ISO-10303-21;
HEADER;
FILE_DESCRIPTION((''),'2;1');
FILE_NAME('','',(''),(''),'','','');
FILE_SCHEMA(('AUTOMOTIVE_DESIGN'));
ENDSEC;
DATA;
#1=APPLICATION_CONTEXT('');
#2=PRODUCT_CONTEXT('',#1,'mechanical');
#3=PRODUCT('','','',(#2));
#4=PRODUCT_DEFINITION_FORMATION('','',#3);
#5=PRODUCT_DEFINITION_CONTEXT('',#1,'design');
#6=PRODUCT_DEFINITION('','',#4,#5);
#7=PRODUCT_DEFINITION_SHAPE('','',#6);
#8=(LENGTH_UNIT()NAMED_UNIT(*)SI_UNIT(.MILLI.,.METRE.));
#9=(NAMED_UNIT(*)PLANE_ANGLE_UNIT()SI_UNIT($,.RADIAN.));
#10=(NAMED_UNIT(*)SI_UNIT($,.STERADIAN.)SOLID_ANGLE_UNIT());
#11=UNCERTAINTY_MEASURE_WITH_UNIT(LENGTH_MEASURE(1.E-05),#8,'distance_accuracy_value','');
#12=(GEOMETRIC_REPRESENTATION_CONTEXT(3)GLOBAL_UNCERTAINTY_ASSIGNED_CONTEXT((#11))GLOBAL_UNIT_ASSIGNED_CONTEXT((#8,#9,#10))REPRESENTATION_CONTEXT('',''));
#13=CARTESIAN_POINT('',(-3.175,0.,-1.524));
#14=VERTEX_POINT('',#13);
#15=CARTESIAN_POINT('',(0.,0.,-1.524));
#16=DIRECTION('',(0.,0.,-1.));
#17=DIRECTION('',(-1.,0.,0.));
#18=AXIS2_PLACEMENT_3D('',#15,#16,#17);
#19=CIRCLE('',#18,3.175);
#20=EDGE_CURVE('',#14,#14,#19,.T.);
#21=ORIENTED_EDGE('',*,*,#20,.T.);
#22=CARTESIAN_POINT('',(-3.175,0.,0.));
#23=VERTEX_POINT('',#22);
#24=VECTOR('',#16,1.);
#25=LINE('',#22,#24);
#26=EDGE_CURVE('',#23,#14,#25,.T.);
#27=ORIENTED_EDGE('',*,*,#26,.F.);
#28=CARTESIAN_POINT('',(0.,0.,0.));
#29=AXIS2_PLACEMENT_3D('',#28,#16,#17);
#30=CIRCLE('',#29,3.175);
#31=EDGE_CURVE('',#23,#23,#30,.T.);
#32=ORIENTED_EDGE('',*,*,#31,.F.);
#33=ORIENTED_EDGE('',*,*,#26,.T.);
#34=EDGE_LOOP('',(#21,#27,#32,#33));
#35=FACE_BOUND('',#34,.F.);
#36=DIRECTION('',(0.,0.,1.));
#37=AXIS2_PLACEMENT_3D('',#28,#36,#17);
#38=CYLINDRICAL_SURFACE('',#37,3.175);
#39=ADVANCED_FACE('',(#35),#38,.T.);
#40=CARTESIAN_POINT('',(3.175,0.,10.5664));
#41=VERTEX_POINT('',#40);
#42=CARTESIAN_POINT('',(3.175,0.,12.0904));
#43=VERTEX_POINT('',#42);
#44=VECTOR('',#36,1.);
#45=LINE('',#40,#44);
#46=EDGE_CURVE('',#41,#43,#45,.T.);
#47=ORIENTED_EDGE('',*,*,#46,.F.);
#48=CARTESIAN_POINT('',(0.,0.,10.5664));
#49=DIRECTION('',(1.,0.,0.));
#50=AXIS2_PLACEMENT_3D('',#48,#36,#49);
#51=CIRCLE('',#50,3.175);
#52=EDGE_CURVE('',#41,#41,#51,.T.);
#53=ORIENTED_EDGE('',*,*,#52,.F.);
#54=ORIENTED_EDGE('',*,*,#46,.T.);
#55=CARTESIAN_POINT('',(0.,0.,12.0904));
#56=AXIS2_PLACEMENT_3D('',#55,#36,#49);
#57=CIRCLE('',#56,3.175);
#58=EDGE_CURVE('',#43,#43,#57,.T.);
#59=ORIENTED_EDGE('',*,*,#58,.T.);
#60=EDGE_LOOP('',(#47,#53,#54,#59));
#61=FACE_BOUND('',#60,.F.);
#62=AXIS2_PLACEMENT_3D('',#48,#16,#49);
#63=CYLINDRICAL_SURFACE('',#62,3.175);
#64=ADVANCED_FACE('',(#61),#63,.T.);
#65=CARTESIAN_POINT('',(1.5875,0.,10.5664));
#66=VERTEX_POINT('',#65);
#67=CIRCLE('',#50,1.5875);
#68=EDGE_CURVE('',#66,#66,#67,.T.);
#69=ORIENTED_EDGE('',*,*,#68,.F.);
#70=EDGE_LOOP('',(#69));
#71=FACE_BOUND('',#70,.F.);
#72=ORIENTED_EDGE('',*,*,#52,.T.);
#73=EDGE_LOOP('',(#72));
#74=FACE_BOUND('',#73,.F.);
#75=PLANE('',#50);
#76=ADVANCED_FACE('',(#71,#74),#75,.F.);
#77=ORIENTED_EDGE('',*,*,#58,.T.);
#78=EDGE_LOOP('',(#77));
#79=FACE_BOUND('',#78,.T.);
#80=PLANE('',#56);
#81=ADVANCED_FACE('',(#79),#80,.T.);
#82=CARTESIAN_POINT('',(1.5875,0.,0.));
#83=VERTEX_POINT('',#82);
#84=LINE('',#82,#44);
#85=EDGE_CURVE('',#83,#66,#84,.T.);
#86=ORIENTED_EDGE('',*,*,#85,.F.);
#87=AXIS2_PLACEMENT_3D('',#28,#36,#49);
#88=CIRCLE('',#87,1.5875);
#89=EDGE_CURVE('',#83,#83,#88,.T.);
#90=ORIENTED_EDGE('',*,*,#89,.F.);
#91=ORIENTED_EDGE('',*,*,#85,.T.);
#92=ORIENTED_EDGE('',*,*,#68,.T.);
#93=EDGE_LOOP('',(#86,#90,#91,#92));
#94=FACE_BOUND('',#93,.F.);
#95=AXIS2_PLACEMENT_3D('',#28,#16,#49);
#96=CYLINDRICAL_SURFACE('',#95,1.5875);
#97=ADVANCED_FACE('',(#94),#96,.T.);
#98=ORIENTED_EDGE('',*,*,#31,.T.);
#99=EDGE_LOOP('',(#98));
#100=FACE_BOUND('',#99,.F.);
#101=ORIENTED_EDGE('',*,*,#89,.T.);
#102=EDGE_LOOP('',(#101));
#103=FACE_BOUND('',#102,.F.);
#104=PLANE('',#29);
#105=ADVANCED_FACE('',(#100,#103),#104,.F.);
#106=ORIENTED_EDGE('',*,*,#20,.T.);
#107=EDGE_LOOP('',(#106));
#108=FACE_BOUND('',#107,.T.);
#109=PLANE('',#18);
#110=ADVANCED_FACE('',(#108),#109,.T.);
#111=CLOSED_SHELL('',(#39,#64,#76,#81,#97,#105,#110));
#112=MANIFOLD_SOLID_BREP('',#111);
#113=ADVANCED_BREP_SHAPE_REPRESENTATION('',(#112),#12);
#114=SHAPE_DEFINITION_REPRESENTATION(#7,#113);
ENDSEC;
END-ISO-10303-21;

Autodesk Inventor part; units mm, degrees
ref_plane "YZ Plane" through (0, 0, 0) normal (1, 0, 0) x (0, 1, 0)
ref_plane "XZ Plane" through (0, 0, 0) normal (0, 1, 0) x (-1, 0, 0)
ref_plane "XY Plane" through (0, 0, 0) normal (0, 0, 1) x (1, 0, 0)
sketch "Sketch1" plane through (0, 0, 0) normal (0, 0, 1) x (1, 0, 0)
  circle A0 centre (0, 0) radius 1.5875
  dimension "d0" = 3.175
extrude "Extrusion1" add sketch "Sketch1" along normal blind 10.5664
sketch "Sketch2" plane through (0, 0, 10.5664) normal (0, 0, 1) x (1, 0, 0)
  circle A0 centre (0, 0) radius 3.175
  dimension "d3" = 6.35
extrude "Extrusion2" add sketch "Sketch2" along normal blind 1.524
sketch "Sketch3" plane through (0, 0, 0) normal (0, 0, -1) x (-1, 0, 0)
  circle A0 centre (0, 0) radius 3.175
extrude "Extrusion3" add sketch "Sketch3" along normal blind 1.524
properties part number "HingeMK3Part3"
